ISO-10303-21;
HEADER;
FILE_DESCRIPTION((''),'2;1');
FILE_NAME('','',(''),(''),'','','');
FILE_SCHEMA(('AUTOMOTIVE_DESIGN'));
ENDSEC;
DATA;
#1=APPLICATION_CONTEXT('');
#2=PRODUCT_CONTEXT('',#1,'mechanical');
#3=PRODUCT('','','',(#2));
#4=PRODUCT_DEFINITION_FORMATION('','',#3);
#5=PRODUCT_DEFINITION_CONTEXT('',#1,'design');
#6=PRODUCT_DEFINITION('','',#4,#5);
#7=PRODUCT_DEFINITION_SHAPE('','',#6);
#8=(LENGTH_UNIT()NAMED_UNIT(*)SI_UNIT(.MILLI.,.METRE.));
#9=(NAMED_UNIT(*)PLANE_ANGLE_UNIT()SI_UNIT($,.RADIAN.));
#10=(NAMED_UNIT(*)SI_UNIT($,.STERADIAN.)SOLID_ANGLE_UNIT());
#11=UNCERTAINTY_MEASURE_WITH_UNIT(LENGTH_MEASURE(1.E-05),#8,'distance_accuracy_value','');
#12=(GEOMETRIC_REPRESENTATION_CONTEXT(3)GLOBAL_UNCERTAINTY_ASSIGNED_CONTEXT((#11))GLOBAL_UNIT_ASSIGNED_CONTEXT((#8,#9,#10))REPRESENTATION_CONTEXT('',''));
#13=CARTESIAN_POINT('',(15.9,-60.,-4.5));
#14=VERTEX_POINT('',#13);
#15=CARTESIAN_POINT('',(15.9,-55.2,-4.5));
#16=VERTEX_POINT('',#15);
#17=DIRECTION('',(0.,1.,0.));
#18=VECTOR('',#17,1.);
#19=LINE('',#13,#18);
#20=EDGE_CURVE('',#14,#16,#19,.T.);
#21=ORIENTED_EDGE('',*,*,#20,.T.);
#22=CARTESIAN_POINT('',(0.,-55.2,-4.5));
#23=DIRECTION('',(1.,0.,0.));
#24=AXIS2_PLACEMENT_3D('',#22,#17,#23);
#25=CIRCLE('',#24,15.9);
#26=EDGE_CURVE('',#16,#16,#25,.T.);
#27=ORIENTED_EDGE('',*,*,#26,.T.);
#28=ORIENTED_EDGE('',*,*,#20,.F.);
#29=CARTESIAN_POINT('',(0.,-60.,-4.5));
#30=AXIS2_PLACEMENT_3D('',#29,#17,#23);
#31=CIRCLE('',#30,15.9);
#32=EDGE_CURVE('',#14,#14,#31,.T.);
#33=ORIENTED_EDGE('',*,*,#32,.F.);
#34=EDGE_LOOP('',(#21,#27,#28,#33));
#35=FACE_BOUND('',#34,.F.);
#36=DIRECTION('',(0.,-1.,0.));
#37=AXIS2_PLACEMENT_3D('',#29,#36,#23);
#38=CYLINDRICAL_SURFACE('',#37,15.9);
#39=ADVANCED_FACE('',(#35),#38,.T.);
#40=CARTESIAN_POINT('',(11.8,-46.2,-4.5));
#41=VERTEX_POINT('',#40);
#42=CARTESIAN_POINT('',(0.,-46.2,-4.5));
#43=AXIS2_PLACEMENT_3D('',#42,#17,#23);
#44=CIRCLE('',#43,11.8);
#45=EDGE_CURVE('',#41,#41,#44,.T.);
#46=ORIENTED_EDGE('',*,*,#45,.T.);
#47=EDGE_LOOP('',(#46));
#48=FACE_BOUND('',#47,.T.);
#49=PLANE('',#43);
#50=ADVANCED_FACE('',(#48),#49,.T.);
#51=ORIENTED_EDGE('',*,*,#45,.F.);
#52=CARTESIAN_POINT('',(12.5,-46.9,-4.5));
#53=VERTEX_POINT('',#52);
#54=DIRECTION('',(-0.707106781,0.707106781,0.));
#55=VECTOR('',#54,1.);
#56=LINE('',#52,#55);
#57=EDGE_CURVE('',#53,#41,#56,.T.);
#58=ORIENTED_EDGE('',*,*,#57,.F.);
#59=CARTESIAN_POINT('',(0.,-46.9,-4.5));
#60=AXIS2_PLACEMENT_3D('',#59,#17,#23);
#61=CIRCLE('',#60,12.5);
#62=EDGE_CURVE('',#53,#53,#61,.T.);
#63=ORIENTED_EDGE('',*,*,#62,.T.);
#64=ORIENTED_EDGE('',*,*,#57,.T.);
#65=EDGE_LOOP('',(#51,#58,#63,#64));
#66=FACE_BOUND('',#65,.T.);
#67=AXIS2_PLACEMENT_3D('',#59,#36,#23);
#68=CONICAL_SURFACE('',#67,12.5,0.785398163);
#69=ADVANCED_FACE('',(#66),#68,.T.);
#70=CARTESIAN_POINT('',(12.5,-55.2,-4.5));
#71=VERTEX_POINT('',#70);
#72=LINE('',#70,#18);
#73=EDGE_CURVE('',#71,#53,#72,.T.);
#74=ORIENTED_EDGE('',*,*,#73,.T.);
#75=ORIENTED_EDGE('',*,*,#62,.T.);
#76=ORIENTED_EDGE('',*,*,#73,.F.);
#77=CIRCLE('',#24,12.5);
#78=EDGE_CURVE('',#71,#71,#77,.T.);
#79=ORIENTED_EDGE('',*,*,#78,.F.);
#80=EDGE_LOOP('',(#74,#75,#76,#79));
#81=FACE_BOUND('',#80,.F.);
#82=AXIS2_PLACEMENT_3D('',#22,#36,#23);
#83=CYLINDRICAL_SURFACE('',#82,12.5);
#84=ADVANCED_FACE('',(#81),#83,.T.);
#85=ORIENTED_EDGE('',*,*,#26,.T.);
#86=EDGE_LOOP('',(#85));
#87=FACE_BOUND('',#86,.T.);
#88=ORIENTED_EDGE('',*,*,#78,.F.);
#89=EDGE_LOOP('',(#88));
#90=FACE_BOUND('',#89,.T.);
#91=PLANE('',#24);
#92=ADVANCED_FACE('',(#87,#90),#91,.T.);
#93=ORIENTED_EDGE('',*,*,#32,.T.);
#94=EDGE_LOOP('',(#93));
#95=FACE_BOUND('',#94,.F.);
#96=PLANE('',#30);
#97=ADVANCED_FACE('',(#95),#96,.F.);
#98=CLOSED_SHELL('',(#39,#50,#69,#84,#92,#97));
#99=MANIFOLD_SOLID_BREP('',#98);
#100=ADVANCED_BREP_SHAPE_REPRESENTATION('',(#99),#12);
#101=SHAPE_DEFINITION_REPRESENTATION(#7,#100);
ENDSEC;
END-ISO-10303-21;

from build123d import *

# Parameters (mm, degrees)
SKETCH005_R             = 15.9
PAD003_DEPTH            = 4.8
SKETCH004_R             = 12.5
PAD002_DEPTH            = 9
CHAMFER002_SIZE         = 0.7
BODY001_PLACEMENT_ANGLE = 90


with BuildPart() as part:
    # Sketch005 → Pad003 (new body)
    with BuildSketch(Plane.XY):
        Circle(SKETCH005_R)
    extrude(amount=PAD003_DEPTH)

    # Sketch004 (on Face3 of Pad003) → Pad002 (join)
    with BuildSketch(Plane.XY.offset(4.8)):
        Circle(SKETCH004_R)
    extrude(amount=PAD002_DEPTH)

    # Chamfer002
    chamfer002_edges = [part.edges().sort_by_distance(p)[0] for p in [
        (-12.5, 0, 13.8),
    ]]
    chamfer(chamfer002_edges, length=CHAMFER002_SIZE)


with BuildPart() as part_1:
    # Body001 placement: moved
    add(part.part.moved(Location((0, -60, -4.5))).rotate(Axis((0, -60, -4.5), (-1, 0, 0)), BODY001_PLACEMENT_ANGLE))


solid = part_1.part
